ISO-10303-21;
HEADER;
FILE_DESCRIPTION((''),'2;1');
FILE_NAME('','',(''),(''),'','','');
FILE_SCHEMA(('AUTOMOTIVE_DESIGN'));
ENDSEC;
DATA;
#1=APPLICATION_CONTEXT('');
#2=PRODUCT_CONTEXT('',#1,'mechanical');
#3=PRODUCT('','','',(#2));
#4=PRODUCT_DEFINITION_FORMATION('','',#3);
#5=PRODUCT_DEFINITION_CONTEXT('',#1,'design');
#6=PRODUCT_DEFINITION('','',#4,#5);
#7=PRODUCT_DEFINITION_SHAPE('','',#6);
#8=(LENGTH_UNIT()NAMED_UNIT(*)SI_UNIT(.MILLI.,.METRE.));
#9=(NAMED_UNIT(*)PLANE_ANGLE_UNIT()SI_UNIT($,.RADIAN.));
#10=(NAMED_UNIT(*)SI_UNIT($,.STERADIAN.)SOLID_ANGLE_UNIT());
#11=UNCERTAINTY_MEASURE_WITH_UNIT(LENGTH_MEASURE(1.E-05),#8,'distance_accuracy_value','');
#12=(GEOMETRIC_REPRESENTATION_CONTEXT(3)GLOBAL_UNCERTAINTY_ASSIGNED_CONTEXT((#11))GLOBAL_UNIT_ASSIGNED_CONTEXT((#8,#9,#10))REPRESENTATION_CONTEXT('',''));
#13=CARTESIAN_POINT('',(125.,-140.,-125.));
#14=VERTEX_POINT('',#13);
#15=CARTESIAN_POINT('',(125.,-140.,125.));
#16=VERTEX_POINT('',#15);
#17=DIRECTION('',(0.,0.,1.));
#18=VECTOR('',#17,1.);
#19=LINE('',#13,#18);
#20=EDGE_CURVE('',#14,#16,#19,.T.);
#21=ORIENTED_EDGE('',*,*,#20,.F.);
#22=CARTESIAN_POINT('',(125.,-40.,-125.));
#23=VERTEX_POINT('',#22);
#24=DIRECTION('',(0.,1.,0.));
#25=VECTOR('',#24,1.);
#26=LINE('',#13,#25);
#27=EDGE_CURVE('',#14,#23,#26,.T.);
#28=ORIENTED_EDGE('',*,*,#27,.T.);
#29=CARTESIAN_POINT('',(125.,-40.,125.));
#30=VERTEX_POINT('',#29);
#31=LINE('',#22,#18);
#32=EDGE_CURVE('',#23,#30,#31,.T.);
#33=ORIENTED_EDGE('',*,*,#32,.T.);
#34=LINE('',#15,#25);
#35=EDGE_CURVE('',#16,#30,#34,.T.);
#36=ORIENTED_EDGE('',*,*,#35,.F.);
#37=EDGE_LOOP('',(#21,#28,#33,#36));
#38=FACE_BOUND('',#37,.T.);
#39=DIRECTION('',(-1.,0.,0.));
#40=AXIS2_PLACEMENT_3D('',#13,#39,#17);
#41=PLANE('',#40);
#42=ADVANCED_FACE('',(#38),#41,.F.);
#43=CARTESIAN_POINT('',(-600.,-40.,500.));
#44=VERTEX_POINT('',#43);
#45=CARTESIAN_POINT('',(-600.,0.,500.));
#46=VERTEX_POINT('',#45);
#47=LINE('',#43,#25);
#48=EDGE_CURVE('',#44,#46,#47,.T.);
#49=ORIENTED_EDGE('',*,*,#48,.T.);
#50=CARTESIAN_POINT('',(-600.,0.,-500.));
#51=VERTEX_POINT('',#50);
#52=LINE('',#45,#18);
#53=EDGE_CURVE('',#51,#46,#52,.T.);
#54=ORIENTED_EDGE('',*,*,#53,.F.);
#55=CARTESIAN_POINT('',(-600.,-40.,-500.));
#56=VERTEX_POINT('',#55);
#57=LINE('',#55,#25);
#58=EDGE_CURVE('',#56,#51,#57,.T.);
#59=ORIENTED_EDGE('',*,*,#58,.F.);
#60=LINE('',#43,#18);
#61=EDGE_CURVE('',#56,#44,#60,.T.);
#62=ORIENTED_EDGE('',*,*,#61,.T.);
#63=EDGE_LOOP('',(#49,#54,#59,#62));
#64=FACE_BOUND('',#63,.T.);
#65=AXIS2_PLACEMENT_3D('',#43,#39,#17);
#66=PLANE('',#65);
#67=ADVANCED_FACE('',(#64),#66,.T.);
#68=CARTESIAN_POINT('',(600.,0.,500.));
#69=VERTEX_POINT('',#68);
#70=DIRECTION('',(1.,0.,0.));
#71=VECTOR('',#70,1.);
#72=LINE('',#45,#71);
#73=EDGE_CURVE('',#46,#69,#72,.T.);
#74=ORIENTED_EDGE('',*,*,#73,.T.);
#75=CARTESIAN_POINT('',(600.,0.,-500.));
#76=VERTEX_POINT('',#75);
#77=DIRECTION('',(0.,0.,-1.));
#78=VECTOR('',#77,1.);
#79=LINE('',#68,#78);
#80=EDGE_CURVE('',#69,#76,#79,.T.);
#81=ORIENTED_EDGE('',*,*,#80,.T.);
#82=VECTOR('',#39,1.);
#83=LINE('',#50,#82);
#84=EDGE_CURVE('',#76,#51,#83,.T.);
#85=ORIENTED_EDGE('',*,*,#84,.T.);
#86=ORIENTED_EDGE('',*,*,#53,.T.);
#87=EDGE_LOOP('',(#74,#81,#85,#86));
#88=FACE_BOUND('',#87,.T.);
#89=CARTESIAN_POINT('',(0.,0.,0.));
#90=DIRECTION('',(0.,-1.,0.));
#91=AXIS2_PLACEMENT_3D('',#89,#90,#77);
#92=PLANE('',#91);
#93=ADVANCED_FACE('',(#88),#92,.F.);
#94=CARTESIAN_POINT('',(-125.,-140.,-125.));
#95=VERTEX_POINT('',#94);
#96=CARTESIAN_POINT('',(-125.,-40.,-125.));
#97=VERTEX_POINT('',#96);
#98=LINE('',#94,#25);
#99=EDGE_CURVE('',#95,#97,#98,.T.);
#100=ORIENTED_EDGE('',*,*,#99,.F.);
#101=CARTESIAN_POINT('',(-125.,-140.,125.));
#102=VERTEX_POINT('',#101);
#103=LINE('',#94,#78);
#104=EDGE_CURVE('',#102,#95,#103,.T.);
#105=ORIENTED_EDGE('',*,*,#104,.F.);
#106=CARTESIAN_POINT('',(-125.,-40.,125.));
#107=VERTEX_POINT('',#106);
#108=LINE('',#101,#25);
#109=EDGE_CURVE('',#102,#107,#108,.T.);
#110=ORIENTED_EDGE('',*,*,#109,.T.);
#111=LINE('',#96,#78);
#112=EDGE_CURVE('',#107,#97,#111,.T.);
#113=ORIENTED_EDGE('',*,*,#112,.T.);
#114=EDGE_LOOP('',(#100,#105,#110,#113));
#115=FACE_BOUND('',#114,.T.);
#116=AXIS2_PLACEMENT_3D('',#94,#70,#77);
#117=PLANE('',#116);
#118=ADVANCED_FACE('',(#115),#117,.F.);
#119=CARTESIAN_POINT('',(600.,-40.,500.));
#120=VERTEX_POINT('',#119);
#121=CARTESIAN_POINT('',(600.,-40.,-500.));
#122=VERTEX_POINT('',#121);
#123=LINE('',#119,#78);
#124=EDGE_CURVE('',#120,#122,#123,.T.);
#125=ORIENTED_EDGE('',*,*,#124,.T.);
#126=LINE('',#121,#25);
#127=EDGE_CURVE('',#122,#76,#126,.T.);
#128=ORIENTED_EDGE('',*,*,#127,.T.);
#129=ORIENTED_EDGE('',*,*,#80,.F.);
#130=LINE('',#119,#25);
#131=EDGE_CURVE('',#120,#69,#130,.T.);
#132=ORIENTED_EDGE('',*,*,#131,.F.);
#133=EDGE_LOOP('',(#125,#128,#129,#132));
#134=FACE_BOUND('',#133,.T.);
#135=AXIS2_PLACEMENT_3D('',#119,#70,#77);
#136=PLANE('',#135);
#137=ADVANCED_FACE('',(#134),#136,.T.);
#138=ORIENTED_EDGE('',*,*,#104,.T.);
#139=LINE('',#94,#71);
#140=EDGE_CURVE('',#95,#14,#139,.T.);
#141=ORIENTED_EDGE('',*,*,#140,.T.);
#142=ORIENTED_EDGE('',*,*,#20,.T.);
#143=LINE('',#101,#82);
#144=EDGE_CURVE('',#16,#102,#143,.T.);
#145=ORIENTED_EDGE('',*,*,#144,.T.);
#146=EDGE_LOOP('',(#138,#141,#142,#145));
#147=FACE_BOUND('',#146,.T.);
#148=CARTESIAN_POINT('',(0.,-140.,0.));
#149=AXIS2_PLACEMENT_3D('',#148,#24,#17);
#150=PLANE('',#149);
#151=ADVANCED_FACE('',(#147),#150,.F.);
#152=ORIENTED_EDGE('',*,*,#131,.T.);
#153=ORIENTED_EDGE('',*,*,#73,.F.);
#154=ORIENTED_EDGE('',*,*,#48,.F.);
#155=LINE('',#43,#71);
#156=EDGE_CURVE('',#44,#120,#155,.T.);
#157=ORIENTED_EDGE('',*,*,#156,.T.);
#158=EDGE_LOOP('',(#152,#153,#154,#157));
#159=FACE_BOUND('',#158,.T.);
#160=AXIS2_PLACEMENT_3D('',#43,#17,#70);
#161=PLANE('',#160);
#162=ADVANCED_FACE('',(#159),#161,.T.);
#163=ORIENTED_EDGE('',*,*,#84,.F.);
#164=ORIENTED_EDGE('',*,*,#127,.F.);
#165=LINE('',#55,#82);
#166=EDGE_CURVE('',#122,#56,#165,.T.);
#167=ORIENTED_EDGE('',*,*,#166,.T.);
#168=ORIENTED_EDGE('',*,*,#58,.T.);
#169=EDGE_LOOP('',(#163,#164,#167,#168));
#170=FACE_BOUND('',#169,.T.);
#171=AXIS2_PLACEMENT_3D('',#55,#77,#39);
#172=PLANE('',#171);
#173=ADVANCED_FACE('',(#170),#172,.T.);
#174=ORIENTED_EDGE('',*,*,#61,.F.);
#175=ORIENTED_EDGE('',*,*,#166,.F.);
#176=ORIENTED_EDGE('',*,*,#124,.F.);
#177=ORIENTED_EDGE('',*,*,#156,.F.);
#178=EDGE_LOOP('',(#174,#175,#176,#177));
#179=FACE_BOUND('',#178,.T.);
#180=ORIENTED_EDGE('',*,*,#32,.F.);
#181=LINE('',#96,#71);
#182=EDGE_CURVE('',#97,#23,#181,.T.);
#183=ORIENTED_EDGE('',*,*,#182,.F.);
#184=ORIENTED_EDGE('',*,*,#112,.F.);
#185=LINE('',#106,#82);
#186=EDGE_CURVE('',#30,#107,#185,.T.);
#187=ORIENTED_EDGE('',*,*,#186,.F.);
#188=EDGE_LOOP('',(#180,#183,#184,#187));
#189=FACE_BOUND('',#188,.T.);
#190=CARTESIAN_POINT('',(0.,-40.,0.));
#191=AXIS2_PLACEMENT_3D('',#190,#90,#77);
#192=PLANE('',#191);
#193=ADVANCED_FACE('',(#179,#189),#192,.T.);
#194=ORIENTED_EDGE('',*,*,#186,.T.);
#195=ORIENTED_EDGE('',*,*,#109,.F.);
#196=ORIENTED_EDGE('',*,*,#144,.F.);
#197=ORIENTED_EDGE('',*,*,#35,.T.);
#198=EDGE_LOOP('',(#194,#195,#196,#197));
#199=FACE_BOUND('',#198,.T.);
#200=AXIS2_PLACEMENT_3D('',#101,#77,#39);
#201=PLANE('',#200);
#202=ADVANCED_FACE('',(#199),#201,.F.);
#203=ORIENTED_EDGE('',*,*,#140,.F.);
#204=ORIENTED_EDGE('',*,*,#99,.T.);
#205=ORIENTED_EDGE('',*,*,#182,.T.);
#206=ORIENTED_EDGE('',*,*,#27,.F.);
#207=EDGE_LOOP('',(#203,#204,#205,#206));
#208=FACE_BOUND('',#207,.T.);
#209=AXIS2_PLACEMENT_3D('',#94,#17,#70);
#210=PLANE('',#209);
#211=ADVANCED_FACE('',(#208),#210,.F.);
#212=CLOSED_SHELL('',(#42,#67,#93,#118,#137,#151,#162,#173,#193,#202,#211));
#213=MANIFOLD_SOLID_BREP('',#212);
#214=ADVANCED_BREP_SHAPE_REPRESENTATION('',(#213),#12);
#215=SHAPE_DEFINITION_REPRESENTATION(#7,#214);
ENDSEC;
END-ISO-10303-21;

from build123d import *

# Parameters (mm, degrees)
ESQUISSE1_W        = 1200
ESQUISSE1_H        = 1000
BOSS_EXTRU_1_DEPTH = 40
ESQUISSE2_W        = 250
ESQUISSE2_H        = 250
BOSS_EXTRU_2_DEPTH = 100


with BuildPart() as part:
    # Esquisse1 → Boss.-Extru.1 (new body)
    with BuildSketch(Plane(origin=(0, 0, 0), x_dir=(1, 0, 0), z_dir=(0, 1, 0))):
        Rectangle(ESQUISSE1_W, ESQUISSE1_H)
    extrude(amount=-BOSS_EXTRU_1_DEPTH)

    # Esquisse2 → Boss.-Extru.2 (add)
    with BuildSketch(Plane.XZ.offset(40)):
        Rectangle(ESQUISSE2_W, ESQUISSE2_H)
    extrude(amount=BOSS_EXTRU_2_DEPTH)


solid = part.part
